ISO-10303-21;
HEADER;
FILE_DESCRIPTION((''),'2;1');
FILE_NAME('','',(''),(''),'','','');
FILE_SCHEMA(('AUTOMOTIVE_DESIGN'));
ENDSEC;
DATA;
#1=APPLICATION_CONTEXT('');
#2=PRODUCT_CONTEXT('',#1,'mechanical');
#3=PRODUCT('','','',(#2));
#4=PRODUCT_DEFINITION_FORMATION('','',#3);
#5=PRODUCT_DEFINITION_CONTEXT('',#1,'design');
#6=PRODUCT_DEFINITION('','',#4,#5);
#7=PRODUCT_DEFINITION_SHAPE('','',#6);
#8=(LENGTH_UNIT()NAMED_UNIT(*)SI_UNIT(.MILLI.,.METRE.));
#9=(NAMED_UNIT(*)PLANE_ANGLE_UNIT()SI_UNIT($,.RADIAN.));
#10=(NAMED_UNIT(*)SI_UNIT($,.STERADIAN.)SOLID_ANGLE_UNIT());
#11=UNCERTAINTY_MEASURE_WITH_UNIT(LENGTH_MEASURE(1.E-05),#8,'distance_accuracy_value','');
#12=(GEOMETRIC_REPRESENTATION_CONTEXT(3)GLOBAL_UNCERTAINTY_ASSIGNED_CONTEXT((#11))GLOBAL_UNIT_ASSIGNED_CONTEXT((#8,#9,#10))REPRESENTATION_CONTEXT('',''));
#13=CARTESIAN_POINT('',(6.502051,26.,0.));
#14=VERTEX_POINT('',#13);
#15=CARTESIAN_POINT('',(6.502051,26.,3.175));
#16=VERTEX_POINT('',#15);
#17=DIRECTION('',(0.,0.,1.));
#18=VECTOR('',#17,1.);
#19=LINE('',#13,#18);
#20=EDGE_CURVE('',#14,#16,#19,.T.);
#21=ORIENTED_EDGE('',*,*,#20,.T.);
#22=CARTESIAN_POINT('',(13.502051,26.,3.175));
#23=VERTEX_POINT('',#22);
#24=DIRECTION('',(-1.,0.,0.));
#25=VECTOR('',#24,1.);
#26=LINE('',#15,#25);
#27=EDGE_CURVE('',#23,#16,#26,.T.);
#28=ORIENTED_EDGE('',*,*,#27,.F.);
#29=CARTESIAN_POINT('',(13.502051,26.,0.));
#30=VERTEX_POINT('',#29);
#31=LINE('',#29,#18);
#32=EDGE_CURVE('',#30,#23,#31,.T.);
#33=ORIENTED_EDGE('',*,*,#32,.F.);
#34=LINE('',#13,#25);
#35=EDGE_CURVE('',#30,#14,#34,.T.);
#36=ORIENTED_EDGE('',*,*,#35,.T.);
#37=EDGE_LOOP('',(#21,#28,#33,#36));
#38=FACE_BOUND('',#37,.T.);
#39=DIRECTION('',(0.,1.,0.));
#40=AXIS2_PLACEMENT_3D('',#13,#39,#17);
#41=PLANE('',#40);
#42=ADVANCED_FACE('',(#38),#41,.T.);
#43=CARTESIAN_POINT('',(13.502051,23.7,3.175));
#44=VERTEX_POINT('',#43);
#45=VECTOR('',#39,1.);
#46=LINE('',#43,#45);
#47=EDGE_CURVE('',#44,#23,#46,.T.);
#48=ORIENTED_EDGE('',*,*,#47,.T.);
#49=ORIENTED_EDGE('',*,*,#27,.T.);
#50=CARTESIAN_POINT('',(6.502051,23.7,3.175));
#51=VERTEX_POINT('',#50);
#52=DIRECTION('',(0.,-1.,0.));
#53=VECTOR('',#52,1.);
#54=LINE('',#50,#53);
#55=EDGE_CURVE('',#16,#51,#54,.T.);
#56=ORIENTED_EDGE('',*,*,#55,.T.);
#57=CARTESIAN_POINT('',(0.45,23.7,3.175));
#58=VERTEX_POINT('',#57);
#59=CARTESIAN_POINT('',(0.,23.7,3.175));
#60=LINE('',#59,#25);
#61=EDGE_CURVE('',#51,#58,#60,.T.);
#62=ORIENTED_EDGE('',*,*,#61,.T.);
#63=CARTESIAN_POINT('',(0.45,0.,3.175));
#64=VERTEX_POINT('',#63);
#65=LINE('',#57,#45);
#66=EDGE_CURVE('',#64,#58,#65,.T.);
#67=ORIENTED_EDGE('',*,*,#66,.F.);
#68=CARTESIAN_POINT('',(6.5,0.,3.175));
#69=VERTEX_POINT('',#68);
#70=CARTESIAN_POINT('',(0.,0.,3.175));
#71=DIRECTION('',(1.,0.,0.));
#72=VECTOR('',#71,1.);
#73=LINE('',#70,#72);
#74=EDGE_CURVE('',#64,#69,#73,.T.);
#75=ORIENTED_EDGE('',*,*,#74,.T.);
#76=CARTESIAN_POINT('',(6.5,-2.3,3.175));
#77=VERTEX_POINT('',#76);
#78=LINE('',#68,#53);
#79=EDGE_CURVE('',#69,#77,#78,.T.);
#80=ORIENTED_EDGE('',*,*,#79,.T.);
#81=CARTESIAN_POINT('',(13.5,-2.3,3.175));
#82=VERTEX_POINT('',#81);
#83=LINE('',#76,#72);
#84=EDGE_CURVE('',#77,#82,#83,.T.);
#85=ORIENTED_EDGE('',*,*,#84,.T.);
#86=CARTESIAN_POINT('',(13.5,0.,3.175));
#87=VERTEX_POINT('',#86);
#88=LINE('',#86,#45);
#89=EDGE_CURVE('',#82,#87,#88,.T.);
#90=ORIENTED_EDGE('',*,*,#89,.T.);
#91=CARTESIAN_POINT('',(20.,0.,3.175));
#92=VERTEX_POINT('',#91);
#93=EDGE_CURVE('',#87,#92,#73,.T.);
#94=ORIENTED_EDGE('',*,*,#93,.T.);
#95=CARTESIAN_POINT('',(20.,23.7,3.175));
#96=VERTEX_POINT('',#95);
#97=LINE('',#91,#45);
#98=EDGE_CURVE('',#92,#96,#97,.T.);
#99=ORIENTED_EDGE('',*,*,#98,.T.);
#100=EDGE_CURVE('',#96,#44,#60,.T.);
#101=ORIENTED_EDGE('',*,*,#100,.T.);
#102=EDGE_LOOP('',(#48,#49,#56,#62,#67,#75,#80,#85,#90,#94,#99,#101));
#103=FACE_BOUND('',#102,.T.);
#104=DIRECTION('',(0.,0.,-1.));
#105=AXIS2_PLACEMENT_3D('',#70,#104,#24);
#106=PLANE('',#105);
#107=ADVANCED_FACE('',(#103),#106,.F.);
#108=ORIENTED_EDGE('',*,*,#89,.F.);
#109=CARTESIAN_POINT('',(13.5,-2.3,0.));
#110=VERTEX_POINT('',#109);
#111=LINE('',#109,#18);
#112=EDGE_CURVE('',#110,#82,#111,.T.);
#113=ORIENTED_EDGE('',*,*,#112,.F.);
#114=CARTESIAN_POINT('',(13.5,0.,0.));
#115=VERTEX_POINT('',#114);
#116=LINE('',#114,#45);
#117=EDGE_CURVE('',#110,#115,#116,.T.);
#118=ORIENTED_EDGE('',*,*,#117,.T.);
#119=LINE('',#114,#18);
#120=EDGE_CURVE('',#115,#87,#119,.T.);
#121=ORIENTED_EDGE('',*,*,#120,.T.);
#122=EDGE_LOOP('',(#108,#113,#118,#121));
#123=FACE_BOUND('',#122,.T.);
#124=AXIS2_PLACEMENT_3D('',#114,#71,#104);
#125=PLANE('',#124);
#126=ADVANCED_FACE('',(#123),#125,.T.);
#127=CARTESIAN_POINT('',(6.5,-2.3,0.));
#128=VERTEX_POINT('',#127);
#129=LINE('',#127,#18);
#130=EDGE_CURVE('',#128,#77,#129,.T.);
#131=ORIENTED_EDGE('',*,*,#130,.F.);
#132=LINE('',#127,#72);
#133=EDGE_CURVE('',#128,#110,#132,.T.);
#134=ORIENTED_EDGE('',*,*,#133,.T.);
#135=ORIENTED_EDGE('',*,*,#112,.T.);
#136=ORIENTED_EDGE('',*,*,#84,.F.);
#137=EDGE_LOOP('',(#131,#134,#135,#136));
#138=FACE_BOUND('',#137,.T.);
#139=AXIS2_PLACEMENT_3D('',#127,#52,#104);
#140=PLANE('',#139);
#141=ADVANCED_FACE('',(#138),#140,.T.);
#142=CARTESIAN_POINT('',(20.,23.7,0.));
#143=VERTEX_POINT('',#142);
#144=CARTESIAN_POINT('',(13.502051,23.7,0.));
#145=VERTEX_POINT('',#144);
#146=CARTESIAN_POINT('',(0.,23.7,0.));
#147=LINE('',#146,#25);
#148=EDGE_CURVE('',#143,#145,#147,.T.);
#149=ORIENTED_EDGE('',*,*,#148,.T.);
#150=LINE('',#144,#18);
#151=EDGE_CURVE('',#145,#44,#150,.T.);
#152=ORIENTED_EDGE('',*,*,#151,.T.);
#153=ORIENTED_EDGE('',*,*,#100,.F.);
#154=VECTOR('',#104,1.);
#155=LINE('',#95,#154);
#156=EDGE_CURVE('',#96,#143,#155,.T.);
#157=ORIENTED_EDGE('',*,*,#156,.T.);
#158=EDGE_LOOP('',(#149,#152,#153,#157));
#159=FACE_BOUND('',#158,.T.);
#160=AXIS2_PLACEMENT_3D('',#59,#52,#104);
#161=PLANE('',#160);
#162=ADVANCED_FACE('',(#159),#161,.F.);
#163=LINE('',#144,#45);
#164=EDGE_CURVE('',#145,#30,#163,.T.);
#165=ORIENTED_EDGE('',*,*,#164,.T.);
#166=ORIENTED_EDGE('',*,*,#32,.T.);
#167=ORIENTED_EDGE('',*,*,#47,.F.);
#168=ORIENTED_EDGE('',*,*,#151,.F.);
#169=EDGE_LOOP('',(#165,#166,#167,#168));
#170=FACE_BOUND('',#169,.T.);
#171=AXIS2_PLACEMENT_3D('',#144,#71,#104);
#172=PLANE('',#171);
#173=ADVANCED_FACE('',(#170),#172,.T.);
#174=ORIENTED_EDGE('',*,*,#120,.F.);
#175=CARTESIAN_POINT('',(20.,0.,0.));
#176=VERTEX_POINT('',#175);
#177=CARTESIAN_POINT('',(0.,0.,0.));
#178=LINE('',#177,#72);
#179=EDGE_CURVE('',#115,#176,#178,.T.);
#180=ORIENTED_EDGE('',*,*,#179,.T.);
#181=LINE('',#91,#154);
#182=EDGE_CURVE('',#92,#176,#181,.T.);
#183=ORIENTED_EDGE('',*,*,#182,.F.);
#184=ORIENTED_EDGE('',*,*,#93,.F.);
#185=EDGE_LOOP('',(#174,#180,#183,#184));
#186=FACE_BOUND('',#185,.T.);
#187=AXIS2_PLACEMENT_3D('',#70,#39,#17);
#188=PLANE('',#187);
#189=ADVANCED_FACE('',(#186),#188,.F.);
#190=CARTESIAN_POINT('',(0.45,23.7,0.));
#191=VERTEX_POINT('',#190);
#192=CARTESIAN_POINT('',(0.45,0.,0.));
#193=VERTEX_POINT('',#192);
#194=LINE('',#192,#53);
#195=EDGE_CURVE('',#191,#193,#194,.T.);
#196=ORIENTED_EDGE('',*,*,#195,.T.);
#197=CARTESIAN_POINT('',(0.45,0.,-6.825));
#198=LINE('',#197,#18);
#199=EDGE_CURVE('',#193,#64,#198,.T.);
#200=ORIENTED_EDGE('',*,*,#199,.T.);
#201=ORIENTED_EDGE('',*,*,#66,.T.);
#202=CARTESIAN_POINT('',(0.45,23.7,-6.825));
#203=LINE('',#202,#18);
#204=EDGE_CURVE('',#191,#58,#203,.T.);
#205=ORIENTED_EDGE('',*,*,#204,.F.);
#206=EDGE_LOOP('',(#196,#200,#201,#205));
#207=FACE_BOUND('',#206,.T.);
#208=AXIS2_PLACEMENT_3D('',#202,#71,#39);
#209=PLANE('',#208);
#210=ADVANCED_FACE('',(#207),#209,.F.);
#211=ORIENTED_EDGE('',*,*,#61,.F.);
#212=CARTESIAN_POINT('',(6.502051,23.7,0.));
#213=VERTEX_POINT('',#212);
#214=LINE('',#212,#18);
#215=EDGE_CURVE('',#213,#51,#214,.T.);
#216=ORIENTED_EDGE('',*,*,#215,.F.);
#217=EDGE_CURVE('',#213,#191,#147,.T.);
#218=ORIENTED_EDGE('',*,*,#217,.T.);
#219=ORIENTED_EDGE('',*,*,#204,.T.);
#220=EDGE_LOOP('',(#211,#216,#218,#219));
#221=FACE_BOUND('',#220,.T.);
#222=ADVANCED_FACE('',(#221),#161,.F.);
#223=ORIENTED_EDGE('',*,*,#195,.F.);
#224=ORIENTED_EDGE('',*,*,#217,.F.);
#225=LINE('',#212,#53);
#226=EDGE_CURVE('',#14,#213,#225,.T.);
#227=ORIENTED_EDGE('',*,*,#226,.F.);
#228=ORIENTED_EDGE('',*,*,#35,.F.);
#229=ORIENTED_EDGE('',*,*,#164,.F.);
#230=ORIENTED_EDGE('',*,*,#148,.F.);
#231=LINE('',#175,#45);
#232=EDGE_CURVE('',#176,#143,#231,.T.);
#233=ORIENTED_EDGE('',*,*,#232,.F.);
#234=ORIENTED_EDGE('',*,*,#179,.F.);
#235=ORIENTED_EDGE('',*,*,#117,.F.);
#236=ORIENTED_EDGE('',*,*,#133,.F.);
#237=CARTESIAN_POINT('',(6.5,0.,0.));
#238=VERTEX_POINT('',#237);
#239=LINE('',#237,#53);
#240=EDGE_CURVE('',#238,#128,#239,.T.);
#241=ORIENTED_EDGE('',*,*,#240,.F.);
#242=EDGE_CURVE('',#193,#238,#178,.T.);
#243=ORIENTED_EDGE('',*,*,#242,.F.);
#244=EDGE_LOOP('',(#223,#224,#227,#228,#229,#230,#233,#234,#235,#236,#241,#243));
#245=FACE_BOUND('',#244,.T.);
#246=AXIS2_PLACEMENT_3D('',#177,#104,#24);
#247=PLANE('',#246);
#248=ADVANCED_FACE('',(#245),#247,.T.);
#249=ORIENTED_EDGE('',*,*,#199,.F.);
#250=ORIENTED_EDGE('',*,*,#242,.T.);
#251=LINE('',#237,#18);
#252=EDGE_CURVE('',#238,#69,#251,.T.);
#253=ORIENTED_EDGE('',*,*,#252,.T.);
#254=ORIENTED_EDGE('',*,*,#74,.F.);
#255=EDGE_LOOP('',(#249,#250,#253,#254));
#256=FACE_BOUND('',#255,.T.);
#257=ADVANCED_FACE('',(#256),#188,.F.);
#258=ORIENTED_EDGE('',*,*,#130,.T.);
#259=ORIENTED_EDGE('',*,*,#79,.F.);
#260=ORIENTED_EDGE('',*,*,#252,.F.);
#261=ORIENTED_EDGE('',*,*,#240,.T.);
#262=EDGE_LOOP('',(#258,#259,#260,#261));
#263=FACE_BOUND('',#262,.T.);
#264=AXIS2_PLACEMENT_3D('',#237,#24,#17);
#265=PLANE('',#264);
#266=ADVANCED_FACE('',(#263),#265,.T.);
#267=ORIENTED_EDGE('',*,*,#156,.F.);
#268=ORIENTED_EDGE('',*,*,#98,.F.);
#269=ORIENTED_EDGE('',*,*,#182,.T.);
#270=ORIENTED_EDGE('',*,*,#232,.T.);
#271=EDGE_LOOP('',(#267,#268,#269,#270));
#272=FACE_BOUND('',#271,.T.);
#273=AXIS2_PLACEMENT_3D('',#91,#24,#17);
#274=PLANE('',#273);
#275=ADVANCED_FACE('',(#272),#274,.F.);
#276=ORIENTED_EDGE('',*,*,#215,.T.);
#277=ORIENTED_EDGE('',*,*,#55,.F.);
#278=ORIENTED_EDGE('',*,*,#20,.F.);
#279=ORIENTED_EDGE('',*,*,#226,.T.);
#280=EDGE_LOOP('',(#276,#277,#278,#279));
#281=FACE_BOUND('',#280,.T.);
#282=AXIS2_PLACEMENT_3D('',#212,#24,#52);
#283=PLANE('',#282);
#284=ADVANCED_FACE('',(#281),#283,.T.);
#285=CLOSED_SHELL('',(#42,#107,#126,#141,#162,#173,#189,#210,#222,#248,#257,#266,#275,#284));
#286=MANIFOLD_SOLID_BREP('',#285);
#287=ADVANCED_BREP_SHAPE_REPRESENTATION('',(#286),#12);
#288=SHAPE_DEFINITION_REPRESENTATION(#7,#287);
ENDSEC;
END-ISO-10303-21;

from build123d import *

# Parameters (mm, degrees)
SKETCH1_W           = 20
SKETCH1_H           = 23.7
BOSS_EXTRUDE1_DEPTH = 3.175
SKETCH2_W           = 7
SKETCH2_H           = 2.3
BOSS_EXTRUDE2_DEPTH = 3.175
SKETCH3_W           = 0.45
SKETCH3_H           = 23.7
CUT_EXTRUDE1_DEPTH  = 10


with BuildPart() as part:
    # Sketch1 → Boss-Extrude1 (new body)
    with BuildSketch(Plane.XY):
        with Locations((10, 11.85)):
            Rectangle(SKETCH1_W, SKETCH1_H)
    extrude(amount=BOSS_EXTRUDE1_DEPTH)

    # Sketch2 → Boss-Extrude2 (add)
    with BuildSketch(Plane.XY.offset(3.175)):
        with Locations((10.002051165, 24.85)):
            Rectangle(SKETCH2_W, SKETCH2_H)
        with Locations((10, -1.15)):
            Rectangle(SKETCH2_W, SKETCH2_H)
    extrude(amount=-BOSS_EXTRUDE2_DEPTH)

    # Sketch3 → Cut-Extrude1 (cut)
    with BuildSketch(Plane.XY.offset(3.175)):
        with Locations((0.225, 11.85)):
            Rectangle(SKETCH3_W, SKETCH3_H)
    extrude(amount=-CUT_EXTRUDE1_DEPTH, mode=Mode.SUBTRACT)


solid = part.part
